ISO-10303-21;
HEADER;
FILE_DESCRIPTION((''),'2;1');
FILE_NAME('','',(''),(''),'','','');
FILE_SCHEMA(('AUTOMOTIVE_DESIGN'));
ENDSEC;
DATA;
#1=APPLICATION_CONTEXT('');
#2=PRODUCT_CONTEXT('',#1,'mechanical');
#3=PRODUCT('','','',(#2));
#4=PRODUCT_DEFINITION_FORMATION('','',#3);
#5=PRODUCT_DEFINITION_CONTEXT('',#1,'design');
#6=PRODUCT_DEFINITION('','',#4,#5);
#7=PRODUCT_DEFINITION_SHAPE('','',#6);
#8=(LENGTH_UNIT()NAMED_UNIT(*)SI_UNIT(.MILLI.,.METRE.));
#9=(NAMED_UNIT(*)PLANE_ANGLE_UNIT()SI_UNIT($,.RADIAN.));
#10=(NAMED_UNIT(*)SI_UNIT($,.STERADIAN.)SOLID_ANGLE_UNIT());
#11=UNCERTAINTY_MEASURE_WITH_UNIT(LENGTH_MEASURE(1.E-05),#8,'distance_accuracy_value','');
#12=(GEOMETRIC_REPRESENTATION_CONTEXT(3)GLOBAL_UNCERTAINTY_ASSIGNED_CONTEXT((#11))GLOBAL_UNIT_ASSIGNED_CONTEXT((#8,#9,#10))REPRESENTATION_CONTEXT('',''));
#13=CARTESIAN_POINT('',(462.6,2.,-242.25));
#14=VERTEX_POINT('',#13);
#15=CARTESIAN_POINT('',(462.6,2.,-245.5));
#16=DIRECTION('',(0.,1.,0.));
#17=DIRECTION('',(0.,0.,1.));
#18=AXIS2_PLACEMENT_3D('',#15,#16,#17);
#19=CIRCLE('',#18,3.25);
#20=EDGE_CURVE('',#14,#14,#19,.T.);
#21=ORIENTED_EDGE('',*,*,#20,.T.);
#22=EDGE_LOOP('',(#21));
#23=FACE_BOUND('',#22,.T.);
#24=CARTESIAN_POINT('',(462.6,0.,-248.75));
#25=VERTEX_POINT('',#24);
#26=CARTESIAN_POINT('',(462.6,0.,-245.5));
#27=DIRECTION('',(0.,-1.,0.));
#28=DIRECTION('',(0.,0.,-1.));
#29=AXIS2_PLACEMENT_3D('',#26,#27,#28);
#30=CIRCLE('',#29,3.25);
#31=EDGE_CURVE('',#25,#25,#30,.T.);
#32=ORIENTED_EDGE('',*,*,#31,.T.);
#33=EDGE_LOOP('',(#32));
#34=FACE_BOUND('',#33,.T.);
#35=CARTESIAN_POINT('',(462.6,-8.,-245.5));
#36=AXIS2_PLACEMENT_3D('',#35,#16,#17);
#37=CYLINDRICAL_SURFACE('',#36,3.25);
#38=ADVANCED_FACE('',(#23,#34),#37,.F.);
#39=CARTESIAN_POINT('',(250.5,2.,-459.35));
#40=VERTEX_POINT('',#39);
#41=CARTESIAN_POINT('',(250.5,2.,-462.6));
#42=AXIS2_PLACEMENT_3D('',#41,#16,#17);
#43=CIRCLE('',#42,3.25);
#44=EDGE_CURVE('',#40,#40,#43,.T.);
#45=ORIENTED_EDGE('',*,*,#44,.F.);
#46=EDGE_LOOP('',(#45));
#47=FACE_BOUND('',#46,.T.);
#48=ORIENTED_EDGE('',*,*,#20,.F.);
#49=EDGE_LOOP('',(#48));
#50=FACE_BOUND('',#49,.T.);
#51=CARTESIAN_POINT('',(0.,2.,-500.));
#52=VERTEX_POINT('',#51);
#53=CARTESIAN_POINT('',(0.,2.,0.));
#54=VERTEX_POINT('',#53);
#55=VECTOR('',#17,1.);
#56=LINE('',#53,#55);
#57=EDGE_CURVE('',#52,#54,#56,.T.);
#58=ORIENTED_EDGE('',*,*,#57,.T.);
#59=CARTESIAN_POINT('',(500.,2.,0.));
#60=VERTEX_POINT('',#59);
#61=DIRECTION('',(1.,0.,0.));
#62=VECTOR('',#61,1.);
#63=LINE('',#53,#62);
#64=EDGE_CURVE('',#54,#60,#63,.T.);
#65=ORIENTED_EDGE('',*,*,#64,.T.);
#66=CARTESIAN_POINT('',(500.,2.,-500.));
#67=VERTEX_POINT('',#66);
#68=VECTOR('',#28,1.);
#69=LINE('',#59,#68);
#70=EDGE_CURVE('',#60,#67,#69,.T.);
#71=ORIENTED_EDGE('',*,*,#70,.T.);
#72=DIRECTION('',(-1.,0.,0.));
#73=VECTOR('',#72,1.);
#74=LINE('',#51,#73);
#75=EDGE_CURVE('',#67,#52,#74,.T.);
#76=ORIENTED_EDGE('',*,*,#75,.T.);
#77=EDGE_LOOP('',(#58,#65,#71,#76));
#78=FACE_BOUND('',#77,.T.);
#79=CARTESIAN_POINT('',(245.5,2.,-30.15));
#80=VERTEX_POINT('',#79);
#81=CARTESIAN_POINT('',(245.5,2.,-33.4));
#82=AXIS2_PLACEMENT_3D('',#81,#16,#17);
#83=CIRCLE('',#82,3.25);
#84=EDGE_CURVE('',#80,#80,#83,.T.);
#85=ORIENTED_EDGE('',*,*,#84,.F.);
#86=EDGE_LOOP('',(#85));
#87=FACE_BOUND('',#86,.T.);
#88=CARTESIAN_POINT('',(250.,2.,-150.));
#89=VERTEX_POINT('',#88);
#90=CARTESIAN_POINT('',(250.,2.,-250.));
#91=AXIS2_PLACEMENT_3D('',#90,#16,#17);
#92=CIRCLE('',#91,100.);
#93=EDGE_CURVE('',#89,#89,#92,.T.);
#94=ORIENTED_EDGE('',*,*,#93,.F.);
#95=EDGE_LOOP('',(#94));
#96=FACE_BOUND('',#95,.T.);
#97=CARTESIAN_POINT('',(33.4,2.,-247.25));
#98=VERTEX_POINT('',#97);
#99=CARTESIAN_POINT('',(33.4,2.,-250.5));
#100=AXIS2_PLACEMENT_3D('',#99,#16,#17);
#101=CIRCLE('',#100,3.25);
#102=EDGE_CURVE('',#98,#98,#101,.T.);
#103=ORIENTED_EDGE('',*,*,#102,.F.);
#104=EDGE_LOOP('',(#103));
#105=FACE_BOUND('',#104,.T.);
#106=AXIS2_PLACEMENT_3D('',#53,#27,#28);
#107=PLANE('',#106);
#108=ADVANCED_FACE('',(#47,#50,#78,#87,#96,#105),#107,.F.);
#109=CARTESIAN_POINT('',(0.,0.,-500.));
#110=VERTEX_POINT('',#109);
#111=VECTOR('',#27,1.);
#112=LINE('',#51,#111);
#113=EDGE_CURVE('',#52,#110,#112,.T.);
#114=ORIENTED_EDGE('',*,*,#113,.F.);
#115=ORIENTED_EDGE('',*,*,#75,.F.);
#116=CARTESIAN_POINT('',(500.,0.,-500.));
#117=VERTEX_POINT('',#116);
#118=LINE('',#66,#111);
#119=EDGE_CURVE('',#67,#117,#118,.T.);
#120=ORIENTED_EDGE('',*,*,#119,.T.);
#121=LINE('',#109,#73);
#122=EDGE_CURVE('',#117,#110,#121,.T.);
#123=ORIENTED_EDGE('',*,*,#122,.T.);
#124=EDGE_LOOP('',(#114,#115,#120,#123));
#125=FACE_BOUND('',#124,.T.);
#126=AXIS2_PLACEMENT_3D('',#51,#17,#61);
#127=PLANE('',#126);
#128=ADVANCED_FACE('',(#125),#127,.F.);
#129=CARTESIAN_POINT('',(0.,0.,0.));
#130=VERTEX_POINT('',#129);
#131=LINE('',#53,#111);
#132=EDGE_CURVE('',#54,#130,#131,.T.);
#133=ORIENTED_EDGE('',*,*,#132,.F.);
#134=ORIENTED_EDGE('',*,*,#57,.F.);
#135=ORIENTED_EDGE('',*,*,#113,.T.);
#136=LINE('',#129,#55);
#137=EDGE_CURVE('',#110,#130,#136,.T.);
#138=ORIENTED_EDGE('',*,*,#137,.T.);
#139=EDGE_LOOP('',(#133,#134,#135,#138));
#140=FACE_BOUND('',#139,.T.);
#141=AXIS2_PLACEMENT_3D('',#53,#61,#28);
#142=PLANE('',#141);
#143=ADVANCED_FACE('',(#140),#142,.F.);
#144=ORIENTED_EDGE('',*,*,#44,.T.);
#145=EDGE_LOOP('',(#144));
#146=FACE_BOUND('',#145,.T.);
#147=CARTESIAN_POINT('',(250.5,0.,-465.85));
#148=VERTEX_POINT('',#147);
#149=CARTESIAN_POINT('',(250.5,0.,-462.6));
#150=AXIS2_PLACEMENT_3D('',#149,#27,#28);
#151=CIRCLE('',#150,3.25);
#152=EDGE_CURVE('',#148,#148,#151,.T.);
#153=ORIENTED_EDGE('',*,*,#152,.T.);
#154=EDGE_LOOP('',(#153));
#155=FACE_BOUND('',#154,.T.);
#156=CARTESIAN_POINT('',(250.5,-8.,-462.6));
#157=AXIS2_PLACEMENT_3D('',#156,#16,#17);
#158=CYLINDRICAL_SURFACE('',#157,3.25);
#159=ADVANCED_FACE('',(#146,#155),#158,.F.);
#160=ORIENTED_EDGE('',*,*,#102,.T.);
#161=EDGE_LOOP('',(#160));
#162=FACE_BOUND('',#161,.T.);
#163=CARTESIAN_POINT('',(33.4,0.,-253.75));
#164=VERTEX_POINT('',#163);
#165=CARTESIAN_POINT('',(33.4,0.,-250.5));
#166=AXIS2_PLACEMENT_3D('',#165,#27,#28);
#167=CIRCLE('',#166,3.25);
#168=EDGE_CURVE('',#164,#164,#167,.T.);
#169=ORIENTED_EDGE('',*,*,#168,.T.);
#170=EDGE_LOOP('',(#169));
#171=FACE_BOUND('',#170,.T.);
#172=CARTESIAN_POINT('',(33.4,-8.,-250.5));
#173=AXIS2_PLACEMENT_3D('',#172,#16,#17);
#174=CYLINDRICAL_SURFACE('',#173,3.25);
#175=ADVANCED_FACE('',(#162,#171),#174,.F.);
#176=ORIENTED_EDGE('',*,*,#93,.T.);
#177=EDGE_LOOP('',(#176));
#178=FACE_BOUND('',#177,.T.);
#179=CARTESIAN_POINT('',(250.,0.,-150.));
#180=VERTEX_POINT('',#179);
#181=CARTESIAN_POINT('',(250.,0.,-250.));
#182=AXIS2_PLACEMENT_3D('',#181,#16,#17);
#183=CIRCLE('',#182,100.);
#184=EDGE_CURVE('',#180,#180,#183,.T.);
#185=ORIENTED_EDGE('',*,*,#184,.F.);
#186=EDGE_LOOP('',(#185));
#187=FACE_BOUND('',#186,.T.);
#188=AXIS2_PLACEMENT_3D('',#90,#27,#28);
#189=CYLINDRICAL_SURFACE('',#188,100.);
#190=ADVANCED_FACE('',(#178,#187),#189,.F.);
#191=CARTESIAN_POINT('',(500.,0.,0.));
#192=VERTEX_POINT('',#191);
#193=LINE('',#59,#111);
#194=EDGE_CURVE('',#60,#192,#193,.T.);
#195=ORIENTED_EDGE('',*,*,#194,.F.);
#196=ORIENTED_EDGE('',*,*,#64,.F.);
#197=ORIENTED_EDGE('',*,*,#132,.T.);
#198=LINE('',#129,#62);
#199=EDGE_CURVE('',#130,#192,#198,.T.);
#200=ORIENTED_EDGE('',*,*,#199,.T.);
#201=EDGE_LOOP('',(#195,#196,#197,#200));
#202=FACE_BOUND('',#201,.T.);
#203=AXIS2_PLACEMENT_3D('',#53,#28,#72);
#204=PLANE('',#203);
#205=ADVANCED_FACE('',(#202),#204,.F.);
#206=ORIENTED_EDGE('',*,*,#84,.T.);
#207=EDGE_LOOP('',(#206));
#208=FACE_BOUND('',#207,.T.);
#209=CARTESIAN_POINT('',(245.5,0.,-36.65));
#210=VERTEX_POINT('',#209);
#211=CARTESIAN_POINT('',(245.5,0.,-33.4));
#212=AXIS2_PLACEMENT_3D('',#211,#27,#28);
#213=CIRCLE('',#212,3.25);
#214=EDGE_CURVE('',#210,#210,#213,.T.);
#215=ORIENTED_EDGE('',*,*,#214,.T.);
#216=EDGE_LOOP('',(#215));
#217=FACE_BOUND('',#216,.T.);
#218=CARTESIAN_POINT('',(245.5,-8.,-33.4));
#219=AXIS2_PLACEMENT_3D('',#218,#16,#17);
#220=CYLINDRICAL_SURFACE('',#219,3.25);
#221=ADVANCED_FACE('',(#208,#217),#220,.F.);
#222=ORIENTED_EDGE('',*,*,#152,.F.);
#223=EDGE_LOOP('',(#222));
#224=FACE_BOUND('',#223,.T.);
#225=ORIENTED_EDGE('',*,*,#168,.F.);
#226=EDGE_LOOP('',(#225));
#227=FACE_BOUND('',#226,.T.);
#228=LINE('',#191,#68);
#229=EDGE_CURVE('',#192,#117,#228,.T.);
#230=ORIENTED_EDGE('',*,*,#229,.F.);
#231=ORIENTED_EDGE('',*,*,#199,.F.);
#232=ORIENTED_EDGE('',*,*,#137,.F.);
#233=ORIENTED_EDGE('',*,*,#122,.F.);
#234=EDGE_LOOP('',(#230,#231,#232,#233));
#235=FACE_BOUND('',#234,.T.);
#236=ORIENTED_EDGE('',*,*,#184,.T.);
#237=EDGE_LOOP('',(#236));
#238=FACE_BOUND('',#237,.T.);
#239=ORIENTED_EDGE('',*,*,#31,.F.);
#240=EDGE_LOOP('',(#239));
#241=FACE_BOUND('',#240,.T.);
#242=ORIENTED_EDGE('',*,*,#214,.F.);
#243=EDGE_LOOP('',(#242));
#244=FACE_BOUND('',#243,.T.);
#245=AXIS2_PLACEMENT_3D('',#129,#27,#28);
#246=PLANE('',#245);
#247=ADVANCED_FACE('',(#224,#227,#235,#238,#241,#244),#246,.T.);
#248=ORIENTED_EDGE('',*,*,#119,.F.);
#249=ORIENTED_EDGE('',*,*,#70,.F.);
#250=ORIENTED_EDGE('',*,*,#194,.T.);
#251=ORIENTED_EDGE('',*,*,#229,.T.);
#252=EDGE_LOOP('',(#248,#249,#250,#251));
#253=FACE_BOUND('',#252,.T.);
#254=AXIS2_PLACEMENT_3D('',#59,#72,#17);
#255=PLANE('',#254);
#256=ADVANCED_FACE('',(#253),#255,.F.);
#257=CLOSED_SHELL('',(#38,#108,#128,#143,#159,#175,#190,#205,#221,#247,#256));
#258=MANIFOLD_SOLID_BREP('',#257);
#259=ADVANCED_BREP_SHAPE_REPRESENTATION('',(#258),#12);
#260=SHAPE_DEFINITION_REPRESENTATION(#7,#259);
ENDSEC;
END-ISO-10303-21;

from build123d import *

# Parameters (mm, degrees)
SKETCH1_W           = 500
SKETCH1_H           = 500
SKETCH1_R           = 100
BOSS_EXTRUDE1_DEPTH = 2
SKETCH_1_R          = 3.25
CUT_EXTRUDE_1_DEPTH = 10


with BuildPart() as part:
    # Sketch1 → Boss-Extrude1 (new body)
    with BuildSketch(Plane(origin=(0, 0, 0), x_dir=(1, 0, 0), z_dir=(0, 1, 0))):
        with Locations((250, 250)):
            Rectangle(SKETCH1_W, SKETCH1_H)
        with Locations(Location((250, 250, 0), (0, 0, 270))):
            Circle(SKETCH1_R, mode=Mode.SUBTRACT)
    extrude(amount=BOSS_EXTRUDE1_DEPTH)

    # 草图1 → 切除-拉伸1 (cut)
    with BuildSketch(Plane(origin=(0, 2, 0), x_dir=(1, 0, 0), z_dir=(0, 1, 0))):
        with Locations(Location((245.5, 33.4, 0), (0, 0, 270))):
            Circle(SKETCH_1_R)
        with Locations(Location((33.4, 250.5, 0), (0, 0, 270))):
            Circle(SKETCH_1_R)
        with Locations(Location((462.6, 245.5, 0), (0, 0, 270))):
            Circle(SKETCH_1_R)
        with Locations(Location((250.5, 462.6, 0), (0, 0, 270))):
            Circle(SKETCH_1_R)
    extrude(amount=-CUT_EXTRUDE_1_DEPTH, mode=Mode.SUBTRACT)


solid = part.part
